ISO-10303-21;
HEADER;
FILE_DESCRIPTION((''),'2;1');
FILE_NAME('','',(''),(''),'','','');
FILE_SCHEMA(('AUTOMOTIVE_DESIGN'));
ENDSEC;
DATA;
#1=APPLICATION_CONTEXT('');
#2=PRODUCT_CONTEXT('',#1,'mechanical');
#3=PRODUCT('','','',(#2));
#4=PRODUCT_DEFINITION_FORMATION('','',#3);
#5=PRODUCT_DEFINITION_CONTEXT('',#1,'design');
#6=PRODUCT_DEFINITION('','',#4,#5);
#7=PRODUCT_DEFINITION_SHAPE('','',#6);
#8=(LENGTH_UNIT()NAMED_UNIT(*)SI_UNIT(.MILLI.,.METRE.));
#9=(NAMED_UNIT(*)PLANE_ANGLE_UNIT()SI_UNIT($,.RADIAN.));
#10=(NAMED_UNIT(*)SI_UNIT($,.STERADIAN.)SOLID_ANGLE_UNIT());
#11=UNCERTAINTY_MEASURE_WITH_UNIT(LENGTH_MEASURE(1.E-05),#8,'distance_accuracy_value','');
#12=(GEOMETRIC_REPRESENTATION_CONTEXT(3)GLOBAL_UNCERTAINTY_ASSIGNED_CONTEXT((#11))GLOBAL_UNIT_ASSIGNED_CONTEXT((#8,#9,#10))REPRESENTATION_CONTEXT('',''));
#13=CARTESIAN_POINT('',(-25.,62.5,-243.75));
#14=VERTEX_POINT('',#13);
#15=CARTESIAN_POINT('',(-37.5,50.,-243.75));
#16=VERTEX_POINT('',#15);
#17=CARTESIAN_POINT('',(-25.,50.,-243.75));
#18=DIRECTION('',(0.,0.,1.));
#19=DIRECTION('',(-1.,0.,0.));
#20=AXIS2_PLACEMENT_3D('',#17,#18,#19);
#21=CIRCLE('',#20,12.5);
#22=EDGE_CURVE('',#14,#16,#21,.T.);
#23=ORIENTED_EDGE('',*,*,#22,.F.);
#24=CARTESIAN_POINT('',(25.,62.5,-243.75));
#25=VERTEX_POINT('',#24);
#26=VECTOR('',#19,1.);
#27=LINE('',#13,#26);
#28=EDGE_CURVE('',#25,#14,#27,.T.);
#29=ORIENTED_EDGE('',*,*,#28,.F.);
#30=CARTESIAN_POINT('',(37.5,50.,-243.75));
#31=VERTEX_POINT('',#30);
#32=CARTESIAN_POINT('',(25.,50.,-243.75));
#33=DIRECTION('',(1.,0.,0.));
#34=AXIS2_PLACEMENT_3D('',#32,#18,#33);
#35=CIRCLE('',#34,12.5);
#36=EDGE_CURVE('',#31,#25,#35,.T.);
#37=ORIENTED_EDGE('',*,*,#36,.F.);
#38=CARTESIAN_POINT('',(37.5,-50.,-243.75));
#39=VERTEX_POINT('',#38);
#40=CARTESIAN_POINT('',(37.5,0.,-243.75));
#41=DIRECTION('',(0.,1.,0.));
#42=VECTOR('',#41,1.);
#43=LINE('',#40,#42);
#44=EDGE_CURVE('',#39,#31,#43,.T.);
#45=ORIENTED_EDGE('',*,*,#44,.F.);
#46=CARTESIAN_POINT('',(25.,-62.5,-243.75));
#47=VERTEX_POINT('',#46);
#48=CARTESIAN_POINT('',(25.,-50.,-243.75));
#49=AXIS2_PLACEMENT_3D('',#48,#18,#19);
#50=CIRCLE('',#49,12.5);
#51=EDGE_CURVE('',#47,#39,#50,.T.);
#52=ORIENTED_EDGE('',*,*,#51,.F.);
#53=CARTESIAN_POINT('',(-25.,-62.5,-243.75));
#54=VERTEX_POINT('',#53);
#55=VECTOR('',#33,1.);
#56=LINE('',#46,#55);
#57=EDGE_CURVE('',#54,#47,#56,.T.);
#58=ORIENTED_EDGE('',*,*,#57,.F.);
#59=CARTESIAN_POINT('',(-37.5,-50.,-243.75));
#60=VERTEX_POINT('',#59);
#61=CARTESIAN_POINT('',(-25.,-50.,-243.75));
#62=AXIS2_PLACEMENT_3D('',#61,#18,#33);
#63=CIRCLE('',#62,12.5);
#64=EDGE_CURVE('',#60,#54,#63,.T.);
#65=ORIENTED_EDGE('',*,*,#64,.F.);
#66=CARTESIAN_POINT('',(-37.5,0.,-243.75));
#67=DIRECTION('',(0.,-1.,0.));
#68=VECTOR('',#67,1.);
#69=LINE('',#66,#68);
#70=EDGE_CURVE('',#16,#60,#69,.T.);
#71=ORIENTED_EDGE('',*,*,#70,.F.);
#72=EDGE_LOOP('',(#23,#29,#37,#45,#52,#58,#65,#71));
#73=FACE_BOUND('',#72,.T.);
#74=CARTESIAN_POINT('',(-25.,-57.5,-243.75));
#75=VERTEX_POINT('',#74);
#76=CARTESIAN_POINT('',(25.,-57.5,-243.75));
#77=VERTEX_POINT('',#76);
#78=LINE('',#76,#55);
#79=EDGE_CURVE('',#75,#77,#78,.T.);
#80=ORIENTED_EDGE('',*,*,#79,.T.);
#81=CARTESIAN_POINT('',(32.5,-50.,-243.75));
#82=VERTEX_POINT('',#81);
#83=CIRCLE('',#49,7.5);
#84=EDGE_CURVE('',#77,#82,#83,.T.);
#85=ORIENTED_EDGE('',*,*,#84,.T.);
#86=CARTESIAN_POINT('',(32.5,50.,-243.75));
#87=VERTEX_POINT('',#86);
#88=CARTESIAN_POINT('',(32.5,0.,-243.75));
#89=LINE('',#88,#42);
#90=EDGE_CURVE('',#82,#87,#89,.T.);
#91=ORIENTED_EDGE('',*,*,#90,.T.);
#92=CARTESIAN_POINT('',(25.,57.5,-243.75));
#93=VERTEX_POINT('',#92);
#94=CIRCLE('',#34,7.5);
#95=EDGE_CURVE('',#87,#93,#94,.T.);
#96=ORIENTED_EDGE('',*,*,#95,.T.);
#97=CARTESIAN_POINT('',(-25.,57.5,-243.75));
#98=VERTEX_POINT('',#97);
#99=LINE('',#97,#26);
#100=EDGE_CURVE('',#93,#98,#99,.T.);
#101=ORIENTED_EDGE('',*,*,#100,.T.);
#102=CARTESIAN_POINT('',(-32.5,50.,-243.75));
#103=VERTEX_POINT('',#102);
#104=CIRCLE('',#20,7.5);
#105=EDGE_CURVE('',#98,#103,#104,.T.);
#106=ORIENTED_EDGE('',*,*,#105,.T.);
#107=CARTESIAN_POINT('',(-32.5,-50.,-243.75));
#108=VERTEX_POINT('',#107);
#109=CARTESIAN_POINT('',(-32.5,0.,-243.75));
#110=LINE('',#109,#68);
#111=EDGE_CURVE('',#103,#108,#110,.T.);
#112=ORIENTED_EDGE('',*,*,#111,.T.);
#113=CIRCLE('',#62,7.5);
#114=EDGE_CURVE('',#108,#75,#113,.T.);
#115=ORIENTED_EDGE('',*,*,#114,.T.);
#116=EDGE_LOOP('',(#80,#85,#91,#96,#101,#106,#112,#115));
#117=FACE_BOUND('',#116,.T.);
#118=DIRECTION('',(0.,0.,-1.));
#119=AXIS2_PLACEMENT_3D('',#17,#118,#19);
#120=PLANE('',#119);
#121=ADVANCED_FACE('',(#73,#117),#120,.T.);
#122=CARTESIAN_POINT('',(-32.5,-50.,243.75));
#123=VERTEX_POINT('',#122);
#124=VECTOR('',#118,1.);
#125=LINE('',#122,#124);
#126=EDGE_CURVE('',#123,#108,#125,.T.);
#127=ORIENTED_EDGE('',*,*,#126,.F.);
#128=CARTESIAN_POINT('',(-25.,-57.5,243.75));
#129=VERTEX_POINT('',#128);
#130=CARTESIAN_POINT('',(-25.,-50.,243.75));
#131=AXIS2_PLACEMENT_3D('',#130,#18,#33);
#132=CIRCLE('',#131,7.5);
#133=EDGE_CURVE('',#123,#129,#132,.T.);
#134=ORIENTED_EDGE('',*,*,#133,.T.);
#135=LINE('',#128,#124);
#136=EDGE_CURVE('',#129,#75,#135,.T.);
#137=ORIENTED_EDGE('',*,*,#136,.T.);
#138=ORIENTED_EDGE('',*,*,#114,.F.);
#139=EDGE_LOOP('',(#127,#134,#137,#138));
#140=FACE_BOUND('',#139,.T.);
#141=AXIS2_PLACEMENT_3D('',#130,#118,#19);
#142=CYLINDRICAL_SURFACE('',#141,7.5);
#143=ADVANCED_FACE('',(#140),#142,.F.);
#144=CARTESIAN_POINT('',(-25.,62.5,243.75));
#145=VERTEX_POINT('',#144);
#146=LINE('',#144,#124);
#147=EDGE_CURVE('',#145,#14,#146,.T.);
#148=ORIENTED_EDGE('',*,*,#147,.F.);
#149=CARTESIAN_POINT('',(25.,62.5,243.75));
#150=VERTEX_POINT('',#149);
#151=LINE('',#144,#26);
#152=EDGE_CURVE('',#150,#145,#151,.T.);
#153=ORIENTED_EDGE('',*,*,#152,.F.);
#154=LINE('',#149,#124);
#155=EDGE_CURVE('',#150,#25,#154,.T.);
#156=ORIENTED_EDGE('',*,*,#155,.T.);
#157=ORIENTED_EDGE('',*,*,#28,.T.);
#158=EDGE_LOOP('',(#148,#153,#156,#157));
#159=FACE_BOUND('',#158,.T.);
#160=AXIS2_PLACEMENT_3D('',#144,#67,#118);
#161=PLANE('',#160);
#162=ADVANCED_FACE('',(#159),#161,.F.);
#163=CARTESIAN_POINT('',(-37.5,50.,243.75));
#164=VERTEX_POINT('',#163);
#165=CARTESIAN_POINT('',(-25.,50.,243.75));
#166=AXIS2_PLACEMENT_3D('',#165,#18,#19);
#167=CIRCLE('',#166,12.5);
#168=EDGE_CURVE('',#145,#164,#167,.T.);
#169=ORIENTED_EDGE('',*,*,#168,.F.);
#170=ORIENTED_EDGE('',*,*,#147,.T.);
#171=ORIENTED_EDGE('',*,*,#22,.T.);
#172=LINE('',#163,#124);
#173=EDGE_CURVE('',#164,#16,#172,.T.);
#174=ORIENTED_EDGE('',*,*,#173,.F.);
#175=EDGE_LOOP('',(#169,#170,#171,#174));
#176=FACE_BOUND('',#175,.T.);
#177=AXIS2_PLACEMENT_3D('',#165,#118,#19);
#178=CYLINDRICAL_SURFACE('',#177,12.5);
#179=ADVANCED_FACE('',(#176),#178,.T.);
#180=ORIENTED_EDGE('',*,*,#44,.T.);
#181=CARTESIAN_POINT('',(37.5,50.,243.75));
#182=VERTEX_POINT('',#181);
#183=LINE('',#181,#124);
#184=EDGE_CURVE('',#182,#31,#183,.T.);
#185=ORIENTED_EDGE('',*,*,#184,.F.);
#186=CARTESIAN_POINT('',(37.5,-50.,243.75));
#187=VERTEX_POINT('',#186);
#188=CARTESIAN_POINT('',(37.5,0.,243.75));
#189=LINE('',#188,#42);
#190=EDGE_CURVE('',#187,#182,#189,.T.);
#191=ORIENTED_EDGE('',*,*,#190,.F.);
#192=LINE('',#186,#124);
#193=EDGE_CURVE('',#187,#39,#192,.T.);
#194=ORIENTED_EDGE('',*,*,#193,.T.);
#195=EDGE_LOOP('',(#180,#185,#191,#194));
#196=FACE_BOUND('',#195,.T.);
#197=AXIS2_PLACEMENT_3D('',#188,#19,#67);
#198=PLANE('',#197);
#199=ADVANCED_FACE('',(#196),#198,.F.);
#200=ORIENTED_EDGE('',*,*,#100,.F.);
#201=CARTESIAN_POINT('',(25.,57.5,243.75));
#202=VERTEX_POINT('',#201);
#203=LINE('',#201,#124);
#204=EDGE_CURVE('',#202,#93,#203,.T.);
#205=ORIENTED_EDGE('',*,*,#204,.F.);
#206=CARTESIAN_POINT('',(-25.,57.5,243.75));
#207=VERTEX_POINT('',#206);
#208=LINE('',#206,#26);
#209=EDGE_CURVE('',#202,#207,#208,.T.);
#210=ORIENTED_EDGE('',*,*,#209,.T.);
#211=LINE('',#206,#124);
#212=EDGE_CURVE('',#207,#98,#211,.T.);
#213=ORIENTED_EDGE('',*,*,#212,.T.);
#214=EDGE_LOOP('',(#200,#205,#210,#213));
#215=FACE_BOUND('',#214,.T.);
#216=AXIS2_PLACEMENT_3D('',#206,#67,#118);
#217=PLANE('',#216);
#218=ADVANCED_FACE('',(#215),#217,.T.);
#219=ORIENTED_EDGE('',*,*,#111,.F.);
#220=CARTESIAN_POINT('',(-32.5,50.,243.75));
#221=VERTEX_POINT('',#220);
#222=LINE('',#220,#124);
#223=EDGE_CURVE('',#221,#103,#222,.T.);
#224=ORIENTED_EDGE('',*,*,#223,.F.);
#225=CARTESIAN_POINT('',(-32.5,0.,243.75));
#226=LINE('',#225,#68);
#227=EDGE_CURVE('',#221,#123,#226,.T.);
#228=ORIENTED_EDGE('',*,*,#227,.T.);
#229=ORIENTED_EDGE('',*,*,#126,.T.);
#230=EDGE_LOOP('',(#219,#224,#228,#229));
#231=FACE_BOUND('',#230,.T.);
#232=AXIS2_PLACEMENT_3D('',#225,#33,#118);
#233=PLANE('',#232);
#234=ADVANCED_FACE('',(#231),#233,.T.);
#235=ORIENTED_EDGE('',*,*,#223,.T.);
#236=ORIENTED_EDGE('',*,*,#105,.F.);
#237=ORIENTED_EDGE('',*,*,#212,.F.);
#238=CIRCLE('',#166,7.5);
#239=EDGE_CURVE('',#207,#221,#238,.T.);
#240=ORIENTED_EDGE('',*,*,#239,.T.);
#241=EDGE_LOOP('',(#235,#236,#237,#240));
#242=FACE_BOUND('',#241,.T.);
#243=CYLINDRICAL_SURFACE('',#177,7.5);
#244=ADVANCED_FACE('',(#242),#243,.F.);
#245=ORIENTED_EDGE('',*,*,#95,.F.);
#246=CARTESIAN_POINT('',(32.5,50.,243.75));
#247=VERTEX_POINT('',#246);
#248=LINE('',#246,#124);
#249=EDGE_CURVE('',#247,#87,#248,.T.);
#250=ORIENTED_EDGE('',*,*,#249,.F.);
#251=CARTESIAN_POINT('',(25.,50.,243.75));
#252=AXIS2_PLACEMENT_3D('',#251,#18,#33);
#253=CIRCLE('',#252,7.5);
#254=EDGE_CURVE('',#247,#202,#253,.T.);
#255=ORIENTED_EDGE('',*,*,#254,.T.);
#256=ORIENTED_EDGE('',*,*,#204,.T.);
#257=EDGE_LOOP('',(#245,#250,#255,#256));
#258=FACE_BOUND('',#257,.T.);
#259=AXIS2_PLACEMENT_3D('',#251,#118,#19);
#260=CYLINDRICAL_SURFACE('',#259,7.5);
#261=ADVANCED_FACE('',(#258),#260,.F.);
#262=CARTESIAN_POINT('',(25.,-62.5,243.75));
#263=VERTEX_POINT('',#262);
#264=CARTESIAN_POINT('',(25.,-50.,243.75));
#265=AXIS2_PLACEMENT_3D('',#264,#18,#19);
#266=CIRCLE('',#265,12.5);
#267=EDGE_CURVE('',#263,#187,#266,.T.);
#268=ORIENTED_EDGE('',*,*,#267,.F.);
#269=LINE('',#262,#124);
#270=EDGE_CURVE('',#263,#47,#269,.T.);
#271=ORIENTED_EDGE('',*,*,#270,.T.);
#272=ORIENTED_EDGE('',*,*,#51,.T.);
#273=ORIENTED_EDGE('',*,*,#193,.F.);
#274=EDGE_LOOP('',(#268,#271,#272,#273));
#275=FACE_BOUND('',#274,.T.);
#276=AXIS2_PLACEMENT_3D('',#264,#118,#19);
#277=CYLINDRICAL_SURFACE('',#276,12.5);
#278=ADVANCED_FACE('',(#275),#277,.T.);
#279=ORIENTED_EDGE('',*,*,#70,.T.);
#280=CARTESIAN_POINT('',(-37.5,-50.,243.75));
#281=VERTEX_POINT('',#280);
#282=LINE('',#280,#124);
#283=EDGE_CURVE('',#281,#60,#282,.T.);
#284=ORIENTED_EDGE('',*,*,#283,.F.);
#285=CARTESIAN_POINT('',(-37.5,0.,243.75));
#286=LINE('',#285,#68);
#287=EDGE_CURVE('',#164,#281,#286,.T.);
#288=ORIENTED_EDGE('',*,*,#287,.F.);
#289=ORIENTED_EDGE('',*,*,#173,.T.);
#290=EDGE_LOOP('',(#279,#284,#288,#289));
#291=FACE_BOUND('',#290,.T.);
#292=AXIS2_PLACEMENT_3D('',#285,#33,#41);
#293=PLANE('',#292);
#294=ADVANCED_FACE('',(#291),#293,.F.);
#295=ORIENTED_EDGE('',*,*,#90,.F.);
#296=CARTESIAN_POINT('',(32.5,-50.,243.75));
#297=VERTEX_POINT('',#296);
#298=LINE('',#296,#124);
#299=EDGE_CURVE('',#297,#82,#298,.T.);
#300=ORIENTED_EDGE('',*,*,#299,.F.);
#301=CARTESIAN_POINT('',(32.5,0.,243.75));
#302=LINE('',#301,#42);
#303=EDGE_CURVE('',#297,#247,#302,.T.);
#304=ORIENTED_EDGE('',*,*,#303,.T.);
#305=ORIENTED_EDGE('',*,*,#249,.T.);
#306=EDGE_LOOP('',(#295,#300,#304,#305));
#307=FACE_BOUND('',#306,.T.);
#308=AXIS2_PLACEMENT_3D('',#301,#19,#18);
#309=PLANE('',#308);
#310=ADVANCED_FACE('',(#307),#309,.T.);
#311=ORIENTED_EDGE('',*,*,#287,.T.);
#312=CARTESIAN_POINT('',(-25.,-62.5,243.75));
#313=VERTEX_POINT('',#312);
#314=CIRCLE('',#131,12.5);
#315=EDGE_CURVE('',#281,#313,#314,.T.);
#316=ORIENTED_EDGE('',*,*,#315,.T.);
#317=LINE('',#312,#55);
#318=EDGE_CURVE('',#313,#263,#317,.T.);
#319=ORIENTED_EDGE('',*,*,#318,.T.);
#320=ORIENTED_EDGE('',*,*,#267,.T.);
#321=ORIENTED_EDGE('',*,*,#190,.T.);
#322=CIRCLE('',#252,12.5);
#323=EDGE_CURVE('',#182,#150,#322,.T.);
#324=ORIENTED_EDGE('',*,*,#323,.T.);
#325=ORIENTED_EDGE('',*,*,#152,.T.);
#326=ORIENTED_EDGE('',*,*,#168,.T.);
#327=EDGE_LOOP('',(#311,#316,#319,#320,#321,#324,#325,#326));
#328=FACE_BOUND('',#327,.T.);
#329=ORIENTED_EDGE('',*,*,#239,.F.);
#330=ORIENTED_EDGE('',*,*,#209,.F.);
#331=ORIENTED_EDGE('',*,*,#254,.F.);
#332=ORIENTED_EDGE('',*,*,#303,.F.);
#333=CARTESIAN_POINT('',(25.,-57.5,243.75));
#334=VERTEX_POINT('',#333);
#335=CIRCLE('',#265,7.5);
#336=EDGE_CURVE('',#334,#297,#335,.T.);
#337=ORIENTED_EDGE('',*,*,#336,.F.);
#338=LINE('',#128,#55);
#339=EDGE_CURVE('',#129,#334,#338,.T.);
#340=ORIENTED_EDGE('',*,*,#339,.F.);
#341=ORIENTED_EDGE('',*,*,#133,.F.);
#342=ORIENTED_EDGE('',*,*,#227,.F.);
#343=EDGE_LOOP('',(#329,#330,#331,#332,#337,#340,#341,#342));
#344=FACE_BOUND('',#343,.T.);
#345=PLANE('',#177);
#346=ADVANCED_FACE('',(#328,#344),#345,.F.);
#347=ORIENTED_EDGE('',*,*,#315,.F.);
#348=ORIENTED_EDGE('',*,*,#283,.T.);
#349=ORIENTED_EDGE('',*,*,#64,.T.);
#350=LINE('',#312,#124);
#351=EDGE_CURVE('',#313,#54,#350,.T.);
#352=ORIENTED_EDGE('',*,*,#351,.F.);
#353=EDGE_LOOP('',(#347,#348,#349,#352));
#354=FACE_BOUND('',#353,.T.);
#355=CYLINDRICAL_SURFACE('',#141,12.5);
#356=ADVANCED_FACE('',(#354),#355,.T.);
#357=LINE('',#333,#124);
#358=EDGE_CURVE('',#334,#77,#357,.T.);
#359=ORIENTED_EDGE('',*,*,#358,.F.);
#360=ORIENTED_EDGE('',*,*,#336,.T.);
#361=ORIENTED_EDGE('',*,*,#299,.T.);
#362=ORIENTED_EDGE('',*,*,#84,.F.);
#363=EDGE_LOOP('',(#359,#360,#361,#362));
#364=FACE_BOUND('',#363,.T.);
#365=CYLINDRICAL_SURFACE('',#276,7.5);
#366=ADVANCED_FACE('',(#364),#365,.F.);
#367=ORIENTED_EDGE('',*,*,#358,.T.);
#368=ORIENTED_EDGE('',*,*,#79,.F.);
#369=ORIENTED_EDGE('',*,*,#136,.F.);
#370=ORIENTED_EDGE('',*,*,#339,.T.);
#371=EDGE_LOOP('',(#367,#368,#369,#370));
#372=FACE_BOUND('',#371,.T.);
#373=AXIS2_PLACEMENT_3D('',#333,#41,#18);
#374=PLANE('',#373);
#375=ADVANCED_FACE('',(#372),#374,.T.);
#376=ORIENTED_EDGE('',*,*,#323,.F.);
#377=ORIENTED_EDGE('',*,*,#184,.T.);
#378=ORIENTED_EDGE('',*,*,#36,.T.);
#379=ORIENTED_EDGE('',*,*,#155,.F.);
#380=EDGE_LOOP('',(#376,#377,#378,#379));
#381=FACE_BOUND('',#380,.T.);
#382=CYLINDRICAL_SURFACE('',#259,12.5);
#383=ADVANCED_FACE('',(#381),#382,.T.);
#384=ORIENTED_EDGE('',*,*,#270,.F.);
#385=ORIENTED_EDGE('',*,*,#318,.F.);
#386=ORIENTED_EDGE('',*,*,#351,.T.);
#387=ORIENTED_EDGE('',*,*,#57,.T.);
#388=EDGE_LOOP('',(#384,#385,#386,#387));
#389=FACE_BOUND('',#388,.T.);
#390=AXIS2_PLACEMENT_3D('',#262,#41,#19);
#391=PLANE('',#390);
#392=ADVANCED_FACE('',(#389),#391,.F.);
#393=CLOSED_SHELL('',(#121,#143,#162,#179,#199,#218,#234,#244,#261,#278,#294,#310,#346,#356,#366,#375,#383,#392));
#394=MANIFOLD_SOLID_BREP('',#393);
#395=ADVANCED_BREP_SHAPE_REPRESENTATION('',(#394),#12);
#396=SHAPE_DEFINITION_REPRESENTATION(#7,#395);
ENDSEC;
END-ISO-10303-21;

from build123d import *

# Parameters (mm, degrees)
BOSS_EXTRUDE1_DEPTH = 243.75


with BuildPart() as part:
    # Sketch1 → Boss-Extrude1 (new, symmetric)
    with BuildSketch(Plane.XY):
        with BuildLine():
            Line((-37.5, 0), (-37.5, -50))
            ThreePointArc((-37.5, -50), (-33.838834765, -58.838834765), (-25, -62.5))
            Line((-25, -62.5), (0, -62.5))
            Line((0, -62.5), (25, -62.5))
            ThreePointArc((25, -62.5), (33.838834765, -58.838834765), (37.5, -50))
            Line((37.5, -50), (37.5, 0))
            Line((37.5, 0), (37.5, 50))
            ThreePointArc((37.5, 50), (33.838834765, 58.838834765), (25, 62.5))
            Line((25, 62.5), (-25, 62.5))
            ThreePointArc((-25, 62.5), (-33.838834765, 58.838834765), (-37.5, 50))
            Line((-37.5, 50), (-37.5, 0))
        make_face()
        with BuildLine():
            Line((-32.5, 0), (-32.5, -50))
            ThreePointArc((-32.5, -50), (-30.303300859, -55.303300859), (-25, -57.5))
            Line((-25, -57.5), (0, -57.5))
            Line((0, -57.5), (25, -57.5))
            ThreePointArc((25, -57.5), (30.303300859, -55.303300859), (32.5, -50))
            Line((32.5, -50), (32.5, 0))
            Line((32.5, 0), (32.5, 50))
            ThreePointArc((32.5, 50), (30.303300859, 55.303300859), (25, 57.5))
            Line((25, 57.5), (-25, 57.5))
            ThreePointArc((-25, 57.5), (-30.303300859, 55.303300859), (-32.5, 50))
            Line((-32.5, 50), (-32.5, 0))
        make_face(mode=Mode.SUBTRACT)
    extrude(amount=BOSS_EXTRUDE1_DEPTH, both=True)


solid = part.part
